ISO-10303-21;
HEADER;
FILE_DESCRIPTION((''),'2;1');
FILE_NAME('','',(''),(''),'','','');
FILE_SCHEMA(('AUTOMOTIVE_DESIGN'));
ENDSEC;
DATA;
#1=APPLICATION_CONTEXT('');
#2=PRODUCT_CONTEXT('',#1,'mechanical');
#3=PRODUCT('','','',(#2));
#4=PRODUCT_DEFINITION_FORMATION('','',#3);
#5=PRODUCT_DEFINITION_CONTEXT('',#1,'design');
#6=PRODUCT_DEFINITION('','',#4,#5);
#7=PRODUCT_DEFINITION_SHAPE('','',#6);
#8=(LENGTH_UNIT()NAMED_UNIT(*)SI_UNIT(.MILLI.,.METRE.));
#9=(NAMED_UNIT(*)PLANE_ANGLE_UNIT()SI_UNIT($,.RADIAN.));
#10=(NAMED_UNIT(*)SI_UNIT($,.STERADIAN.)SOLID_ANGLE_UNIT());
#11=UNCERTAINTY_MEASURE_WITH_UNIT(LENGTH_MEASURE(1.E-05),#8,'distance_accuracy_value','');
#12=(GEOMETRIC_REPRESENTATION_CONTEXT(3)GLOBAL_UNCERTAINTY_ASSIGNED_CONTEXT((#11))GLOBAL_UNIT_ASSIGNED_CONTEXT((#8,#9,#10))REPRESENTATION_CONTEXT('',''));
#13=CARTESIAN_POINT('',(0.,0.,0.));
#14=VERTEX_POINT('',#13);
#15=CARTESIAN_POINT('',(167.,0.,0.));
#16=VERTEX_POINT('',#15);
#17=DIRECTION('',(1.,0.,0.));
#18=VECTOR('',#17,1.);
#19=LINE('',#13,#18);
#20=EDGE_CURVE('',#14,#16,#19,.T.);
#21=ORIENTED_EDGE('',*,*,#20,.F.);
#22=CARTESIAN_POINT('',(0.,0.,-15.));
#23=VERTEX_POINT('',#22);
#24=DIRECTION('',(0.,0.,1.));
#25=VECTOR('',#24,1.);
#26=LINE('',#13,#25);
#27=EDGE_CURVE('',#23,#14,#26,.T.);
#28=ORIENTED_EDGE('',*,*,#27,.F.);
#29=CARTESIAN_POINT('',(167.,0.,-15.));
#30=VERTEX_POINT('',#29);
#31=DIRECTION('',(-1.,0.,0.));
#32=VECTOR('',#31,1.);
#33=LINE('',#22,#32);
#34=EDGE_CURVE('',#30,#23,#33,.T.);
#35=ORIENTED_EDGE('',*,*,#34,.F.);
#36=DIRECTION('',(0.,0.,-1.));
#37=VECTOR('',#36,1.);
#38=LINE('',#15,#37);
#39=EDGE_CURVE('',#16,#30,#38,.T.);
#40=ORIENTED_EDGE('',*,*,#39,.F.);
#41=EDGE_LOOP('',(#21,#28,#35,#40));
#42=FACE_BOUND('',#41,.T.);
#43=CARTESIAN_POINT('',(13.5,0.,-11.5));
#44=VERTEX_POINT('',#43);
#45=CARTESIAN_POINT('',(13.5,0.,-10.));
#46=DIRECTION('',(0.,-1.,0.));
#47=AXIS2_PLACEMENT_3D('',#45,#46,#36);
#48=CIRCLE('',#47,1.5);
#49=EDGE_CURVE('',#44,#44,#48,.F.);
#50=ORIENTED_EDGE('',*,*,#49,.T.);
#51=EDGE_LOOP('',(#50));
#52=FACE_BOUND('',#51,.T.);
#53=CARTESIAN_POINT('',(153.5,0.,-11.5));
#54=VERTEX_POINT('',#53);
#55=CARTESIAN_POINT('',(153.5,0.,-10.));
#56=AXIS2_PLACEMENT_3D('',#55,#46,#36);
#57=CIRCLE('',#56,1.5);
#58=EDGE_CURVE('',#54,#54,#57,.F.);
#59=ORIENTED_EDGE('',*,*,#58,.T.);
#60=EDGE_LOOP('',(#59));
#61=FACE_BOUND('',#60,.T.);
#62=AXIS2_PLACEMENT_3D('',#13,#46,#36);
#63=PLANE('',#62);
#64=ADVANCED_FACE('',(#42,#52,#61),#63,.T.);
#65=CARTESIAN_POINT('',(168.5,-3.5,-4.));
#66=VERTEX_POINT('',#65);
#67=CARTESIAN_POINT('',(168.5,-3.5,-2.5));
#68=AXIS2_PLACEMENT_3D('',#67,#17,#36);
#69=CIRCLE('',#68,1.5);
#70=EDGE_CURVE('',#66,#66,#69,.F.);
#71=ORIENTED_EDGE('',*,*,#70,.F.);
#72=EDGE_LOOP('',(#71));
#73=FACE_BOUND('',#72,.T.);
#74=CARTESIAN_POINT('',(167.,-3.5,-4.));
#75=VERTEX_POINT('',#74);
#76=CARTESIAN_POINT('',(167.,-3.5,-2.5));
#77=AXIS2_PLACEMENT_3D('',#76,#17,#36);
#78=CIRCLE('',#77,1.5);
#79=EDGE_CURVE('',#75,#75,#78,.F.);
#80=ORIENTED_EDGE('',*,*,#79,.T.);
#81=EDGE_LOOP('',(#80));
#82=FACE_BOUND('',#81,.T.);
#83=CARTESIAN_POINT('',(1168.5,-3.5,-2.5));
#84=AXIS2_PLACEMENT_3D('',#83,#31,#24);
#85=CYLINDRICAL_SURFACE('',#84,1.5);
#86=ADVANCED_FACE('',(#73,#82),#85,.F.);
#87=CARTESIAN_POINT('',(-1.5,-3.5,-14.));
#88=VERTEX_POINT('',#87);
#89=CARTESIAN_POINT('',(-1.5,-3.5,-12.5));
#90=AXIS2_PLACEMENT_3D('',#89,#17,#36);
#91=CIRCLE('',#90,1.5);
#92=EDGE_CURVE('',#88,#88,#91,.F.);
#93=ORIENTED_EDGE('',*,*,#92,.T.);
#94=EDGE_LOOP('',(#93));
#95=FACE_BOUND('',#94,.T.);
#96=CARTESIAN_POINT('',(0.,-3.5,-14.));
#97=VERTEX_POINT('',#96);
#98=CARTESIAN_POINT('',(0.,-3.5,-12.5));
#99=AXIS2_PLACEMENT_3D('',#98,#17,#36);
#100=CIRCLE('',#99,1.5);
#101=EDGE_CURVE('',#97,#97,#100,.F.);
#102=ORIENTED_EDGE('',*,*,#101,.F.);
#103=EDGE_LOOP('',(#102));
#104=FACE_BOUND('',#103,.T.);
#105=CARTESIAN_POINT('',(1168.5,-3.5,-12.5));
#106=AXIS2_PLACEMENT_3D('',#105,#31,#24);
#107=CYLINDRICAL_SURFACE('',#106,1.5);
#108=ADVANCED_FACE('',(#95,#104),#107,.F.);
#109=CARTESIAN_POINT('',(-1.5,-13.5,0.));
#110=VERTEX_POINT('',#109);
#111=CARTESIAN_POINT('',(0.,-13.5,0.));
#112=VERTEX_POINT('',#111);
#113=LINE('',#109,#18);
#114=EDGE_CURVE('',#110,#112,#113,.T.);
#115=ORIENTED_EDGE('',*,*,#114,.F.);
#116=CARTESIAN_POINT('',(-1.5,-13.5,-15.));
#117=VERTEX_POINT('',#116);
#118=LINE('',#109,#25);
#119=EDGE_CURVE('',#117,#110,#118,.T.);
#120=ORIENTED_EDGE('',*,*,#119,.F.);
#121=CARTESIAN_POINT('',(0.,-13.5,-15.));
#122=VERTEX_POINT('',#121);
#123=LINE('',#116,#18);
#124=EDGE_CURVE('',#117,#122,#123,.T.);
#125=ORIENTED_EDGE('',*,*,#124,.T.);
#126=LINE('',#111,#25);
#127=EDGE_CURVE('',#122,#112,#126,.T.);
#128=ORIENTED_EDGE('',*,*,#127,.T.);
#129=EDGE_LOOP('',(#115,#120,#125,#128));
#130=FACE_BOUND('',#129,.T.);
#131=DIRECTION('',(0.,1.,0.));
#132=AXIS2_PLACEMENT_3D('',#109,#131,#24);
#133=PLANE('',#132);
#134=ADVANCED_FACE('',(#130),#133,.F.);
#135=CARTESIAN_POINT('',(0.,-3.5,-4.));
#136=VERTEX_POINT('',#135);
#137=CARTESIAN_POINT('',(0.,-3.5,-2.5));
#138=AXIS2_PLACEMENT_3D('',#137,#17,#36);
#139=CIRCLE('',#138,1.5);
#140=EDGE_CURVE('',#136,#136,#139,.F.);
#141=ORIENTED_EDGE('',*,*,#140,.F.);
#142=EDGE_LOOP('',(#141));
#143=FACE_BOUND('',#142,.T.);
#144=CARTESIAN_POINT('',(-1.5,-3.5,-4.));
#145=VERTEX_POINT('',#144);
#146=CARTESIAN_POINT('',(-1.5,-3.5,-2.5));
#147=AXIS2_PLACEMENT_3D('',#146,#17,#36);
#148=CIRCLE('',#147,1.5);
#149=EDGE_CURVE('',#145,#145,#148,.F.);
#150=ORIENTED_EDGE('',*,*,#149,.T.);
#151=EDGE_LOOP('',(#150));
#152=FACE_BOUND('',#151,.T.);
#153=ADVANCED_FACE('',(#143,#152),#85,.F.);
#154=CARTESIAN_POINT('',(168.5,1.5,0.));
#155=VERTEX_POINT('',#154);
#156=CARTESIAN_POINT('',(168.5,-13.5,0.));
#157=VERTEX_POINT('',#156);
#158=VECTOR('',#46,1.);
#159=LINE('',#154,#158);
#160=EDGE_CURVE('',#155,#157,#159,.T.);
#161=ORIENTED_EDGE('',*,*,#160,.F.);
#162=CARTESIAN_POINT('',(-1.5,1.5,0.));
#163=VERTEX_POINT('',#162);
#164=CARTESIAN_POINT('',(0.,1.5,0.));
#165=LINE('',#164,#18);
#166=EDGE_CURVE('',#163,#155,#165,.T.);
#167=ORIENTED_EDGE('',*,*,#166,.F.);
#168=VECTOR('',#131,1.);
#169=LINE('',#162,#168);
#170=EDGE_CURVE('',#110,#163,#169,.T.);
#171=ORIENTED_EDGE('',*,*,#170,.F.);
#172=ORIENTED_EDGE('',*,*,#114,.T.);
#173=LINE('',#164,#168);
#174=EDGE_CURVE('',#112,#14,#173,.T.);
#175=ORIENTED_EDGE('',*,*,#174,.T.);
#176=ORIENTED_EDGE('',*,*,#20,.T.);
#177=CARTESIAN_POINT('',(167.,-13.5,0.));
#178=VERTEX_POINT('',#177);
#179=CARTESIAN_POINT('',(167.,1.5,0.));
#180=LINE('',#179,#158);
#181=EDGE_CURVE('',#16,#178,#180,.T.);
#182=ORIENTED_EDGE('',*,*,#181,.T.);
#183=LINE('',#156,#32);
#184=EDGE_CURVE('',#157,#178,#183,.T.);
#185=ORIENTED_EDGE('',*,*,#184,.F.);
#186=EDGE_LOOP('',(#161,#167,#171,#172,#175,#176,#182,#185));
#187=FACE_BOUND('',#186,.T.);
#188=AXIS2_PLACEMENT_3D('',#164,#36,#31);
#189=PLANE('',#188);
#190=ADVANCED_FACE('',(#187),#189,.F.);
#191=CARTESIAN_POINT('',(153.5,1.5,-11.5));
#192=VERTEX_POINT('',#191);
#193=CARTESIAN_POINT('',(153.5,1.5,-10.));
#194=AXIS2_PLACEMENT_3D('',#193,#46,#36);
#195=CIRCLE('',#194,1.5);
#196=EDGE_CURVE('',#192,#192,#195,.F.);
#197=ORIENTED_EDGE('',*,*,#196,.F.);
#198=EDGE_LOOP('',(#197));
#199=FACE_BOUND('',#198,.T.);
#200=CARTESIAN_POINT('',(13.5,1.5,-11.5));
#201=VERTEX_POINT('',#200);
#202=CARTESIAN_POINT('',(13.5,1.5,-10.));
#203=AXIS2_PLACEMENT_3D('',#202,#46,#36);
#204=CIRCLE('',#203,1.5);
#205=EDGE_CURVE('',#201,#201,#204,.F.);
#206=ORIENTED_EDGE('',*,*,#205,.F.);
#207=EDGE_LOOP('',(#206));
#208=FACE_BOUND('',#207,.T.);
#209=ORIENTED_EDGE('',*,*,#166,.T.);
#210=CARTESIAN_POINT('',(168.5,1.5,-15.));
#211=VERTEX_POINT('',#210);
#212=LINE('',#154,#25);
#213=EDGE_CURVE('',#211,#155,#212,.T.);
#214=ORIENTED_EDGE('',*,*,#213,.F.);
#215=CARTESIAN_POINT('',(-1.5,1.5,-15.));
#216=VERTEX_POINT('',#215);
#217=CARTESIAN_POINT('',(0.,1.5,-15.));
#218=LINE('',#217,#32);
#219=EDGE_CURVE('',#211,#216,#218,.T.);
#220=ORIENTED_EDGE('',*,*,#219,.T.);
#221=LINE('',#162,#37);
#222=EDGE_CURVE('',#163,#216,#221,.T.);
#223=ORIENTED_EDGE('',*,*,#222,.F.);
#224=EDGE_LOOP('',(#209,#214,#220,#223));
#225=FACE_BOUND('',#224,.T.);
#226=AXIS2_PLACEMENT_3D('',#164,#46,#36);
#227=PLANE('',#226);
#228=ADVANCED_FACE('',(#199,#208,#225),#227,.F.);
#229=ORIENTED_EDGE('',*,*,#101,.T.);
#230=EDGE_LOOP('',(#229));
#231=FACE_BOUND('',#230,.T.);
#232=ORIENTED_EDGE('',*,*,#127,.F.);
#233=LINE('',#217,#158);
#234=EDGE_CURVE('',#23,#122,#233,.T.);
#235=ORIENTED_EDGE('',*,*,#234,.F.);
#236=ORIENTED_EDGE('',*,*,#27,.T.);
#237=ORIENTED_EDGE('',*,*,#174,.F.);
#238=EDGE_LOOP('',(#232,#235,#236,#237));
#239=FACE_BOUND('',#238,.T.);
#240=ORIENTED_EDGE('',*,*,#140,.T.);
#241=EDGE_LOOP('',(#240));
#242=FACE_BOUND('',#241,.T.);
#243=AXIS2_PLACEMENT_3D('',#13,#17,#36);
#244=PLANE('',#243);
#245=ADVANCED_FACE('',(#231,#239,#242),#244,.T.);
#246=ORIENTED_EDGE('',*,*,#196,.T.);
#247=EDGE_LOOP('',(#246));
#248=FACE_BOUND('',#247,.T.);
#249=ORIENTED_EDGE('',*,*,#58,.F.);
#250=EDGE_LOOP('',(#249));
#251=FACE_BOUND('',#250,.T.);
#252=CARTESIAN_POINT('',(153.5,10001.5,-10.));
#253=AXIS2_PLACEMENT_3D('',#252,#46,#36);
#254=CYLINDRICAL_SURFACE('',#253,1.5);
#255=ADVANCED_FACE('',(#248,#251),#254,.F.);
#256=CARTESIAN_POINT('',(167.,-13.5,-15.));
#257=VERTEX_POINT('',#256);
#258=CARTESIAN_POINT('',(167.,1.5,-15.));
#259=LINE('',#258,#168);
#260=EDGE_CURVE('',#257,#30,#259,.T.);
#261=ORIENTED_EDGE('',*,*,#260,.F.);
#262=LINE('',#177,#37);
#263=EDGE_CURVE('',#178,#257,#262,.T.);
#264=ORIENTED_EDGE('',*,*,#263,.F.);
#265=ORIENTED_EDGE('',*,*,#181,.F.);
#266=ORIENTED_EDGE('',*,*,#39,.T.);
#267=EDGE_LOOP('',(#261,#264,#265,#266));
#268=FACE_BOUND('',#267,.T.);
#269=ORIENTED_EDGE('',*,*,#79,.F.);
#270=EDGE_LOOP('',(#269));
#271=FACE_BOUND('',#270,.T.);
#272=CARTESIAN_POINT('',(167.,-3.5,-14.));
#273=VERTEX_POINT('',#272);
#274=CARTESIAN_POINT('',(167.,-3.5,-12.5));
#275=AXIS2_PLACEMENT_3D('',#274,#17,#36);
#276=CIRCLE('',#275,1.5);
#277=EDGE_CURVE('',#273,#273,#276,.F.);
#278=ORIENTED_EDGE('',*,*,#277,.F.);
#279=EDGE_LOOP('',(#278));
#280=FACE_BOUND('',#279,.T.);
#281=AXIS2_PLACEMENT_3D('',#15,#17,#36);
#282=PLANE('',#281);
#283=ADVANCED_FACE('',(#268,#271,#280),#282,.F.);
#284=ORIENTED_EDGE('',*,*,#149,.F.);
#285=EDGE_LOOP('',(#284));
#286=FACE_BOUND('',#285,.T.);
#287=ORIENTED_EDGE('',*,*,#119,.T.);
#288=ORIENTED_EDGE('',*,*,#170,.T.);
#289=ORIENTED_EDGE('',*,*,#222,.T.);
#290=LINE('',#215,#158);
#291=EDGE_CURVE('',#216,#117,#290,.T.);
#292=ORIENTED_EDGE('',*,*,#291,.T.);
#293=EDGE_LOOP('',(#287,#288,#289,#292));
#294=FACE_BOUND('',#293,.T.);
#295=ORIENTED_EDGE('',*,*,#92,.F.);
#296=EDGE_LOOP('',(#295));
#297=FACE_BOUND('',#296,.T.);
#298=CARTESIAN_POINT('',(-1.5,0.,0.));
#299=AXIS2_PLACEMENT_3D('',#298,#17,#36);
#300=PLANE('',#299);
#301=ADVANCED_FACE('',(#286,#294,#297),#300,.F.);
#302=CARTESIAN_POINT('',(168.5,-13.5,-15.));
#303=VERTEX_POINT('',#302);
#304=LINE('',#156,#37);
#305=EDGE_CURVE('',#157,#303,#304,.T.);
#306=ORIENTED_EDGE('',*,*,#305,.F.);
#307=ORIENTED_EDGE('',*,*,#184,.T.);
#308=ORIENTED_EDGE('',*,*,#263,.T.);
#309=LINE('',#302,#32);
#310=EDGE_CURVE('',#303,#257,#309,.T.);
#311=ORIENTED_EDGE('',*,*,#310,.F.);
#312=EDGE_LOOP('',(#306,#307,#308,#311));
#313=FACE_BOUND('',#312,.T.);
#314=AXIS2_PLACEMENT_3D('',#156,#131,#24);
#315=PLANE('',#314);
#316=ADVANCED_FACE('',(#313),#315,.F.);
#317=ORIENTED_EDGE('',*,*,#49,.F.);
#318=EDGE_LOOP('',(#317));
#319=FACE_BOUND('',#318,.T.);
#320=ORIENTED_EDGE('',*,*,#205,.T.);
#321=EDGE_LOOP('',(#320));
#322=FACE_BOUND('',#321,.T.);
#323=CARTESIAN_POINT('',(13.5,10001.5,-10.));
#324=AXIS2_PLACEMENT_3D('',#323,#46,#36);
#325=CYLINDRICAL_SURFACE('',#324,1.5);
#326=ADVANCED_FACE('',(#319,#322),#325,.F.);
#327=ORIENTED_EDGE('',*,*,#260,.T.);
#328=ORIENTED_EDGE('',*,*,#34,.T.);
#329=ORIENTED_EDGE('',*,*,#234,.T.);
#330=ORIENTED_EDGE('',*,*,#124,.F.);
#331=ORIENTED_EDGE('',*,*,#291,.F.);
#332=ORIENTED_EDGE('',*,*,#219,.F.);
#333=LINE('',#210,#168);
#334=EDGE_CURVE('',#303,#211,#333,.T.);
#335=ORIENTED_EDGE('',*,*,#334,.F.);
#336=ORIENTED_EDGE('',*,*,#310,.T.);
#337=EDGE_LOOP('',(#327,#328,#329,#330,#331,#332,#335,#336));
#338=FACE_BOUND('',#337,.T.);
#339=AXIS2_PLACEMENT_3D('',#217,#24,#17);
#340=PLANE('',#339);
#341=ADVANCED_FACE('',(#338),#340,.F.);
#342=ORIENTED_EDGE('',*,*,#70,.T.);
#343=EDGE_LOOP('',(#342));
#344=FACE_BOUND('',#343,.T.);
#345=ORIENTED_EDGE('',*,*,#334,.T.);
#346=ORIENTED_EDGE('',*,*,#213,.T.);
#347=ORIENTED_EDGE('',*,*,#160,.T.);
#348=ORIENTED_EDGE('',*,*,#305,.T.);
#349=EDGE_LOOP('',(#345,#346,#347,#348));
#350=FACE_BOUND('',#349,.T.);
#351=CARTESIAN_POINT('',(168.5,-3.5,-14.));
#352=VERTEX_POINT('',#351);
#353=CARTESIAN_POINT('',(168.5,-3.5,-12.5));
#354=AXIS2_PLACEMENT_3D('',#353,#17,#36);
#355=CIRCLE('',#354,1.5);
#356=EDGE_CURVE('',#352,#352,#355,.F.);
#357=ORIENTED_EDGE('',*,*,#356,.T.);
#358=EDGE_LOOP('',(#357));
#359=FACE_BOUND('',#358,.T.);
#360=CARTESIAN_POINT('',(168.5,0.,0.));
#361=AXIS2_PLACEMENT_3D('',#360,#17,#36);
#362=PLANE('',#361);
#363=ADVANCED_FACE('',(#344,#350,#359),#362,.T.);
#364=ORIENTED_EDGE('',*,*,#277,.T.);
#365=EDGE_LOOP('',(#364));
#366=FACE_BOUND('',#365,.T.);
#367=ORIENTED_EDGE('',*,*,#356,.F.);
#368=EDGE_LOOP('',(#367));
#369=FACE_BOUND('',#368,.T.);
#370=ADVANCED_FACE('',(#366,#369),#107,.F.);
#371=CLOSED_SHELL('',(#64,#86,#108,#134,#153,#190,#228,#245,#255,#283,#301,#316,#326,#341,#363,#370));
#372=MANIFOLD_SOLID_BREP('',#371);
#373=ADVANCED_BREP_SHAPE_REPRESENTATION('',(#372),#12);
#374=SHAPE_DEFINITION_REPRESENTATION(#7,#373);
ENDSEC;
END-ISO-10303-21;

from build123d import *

# Parameters (mm, degrees)
SKETCH1_W               = 167
SKETCH1_H               = 15
BOSS_EXTRUDE1_DEPTH     = 1.5
SKETCH2_W               = 15
SKETCH2_H               = 15
BOSS_EXTRUDE2_DEPTH     = 1.5
SKETCH3_W               = 15
SKETCH3_H               = 15
BOSS_EXTRUDE3_DEPTH     = 1.5
CUT_EXTRUDE1_DEPTH      = 1000
CUT_EXTRUDE1_DEPTH_BACK = 10000
SKETCH5_R               = 1.5
CUT_EXTRUDE2_DEPTH      = 10000
CUT_EXTRUDE2_DEPTH_BACK = 10000
SKETCH4_R               = 1.5


with BuildPart() as part:
    # Sketch1 → Boss-Extrude1 (new body)
    with BuildSketch(Plane(origin=(0, 0, 0), x_dir=(1, 0, 0), z_dir=(0, 1, 0))):
        with Locations((83.5, 7.5)):
            Rectangle(SKETCH1_W, SKETCH1_H)
    extrude(amount=BOSS_EXTRUDE1_DEPTH)

    # Sketch2 → Boss-Extrude2 (add)
    with BuildSketch(Plane(origin=(167, 0, 0), x_dir=(0, 0, -1), z_dir=(1, 0, 0))):
        with Locations((7.5, -6)):
            Rectangle(SKETCH2_W, SKETCH2_H)
    extrude(amount=BOSS_EXTRUDE2_DEPTH)

    # Sketch3 → Boss-Extrude3 (add)
    with BuildSketch(Plane.ZY):
        with Locations((-7.5, -6)):
            Rectangle(SKETCH3_W, SKETCH3_H)
    extrude(amount=BOSS_EXTRUDE3_DEPTH)

    # Sketch5 → Cut-Extrude1 (cut, two sides: drawn at the far end of the back side and taken through both)
    with BuildSketch(Plane(origin=(168.5, 0, 0), x_dir=(0, 0, -1), z_dir=(1, 0, 0)).offset(-CUT_EXTRUDE1_DEPTH_BACK)):
        with Locations((2.5, -3.5)):
            Circle(SKETCH5_R)
        with Locations((12.5, -3.5)):
            Circle(SKETCH5_R)
    extrude(amount=CUT_EXTRUDE1_DEPTH + CUT_EXTRUDE1_DEPTH_BACK, mode=Mode.SUBTRACT)

    # Sketch4 → Cut-Extrude2 (cut, two sides: drawn at the far end of the back side and taken through both)
    with BuildSketch(Plane(origin=(0, 1.5, 0), x_dir=(1, 0, 0), z_dir=(0, 1, 0)).offset(-CUT_EXTRUDE2_DEPTH_BACK)):
        with Locations((13.5, 10)):
            Circle(SKETCH4_R)
        with Locations((153.5, 10)):
            Circle(SKETCH4_R)
    extrude(amount=CUT_EXTRUDE2_DEPTH + CUT_EXTRUDE2_DEPTH_BACK, mode=Mode.SUBTRACT)


solid = part.part
